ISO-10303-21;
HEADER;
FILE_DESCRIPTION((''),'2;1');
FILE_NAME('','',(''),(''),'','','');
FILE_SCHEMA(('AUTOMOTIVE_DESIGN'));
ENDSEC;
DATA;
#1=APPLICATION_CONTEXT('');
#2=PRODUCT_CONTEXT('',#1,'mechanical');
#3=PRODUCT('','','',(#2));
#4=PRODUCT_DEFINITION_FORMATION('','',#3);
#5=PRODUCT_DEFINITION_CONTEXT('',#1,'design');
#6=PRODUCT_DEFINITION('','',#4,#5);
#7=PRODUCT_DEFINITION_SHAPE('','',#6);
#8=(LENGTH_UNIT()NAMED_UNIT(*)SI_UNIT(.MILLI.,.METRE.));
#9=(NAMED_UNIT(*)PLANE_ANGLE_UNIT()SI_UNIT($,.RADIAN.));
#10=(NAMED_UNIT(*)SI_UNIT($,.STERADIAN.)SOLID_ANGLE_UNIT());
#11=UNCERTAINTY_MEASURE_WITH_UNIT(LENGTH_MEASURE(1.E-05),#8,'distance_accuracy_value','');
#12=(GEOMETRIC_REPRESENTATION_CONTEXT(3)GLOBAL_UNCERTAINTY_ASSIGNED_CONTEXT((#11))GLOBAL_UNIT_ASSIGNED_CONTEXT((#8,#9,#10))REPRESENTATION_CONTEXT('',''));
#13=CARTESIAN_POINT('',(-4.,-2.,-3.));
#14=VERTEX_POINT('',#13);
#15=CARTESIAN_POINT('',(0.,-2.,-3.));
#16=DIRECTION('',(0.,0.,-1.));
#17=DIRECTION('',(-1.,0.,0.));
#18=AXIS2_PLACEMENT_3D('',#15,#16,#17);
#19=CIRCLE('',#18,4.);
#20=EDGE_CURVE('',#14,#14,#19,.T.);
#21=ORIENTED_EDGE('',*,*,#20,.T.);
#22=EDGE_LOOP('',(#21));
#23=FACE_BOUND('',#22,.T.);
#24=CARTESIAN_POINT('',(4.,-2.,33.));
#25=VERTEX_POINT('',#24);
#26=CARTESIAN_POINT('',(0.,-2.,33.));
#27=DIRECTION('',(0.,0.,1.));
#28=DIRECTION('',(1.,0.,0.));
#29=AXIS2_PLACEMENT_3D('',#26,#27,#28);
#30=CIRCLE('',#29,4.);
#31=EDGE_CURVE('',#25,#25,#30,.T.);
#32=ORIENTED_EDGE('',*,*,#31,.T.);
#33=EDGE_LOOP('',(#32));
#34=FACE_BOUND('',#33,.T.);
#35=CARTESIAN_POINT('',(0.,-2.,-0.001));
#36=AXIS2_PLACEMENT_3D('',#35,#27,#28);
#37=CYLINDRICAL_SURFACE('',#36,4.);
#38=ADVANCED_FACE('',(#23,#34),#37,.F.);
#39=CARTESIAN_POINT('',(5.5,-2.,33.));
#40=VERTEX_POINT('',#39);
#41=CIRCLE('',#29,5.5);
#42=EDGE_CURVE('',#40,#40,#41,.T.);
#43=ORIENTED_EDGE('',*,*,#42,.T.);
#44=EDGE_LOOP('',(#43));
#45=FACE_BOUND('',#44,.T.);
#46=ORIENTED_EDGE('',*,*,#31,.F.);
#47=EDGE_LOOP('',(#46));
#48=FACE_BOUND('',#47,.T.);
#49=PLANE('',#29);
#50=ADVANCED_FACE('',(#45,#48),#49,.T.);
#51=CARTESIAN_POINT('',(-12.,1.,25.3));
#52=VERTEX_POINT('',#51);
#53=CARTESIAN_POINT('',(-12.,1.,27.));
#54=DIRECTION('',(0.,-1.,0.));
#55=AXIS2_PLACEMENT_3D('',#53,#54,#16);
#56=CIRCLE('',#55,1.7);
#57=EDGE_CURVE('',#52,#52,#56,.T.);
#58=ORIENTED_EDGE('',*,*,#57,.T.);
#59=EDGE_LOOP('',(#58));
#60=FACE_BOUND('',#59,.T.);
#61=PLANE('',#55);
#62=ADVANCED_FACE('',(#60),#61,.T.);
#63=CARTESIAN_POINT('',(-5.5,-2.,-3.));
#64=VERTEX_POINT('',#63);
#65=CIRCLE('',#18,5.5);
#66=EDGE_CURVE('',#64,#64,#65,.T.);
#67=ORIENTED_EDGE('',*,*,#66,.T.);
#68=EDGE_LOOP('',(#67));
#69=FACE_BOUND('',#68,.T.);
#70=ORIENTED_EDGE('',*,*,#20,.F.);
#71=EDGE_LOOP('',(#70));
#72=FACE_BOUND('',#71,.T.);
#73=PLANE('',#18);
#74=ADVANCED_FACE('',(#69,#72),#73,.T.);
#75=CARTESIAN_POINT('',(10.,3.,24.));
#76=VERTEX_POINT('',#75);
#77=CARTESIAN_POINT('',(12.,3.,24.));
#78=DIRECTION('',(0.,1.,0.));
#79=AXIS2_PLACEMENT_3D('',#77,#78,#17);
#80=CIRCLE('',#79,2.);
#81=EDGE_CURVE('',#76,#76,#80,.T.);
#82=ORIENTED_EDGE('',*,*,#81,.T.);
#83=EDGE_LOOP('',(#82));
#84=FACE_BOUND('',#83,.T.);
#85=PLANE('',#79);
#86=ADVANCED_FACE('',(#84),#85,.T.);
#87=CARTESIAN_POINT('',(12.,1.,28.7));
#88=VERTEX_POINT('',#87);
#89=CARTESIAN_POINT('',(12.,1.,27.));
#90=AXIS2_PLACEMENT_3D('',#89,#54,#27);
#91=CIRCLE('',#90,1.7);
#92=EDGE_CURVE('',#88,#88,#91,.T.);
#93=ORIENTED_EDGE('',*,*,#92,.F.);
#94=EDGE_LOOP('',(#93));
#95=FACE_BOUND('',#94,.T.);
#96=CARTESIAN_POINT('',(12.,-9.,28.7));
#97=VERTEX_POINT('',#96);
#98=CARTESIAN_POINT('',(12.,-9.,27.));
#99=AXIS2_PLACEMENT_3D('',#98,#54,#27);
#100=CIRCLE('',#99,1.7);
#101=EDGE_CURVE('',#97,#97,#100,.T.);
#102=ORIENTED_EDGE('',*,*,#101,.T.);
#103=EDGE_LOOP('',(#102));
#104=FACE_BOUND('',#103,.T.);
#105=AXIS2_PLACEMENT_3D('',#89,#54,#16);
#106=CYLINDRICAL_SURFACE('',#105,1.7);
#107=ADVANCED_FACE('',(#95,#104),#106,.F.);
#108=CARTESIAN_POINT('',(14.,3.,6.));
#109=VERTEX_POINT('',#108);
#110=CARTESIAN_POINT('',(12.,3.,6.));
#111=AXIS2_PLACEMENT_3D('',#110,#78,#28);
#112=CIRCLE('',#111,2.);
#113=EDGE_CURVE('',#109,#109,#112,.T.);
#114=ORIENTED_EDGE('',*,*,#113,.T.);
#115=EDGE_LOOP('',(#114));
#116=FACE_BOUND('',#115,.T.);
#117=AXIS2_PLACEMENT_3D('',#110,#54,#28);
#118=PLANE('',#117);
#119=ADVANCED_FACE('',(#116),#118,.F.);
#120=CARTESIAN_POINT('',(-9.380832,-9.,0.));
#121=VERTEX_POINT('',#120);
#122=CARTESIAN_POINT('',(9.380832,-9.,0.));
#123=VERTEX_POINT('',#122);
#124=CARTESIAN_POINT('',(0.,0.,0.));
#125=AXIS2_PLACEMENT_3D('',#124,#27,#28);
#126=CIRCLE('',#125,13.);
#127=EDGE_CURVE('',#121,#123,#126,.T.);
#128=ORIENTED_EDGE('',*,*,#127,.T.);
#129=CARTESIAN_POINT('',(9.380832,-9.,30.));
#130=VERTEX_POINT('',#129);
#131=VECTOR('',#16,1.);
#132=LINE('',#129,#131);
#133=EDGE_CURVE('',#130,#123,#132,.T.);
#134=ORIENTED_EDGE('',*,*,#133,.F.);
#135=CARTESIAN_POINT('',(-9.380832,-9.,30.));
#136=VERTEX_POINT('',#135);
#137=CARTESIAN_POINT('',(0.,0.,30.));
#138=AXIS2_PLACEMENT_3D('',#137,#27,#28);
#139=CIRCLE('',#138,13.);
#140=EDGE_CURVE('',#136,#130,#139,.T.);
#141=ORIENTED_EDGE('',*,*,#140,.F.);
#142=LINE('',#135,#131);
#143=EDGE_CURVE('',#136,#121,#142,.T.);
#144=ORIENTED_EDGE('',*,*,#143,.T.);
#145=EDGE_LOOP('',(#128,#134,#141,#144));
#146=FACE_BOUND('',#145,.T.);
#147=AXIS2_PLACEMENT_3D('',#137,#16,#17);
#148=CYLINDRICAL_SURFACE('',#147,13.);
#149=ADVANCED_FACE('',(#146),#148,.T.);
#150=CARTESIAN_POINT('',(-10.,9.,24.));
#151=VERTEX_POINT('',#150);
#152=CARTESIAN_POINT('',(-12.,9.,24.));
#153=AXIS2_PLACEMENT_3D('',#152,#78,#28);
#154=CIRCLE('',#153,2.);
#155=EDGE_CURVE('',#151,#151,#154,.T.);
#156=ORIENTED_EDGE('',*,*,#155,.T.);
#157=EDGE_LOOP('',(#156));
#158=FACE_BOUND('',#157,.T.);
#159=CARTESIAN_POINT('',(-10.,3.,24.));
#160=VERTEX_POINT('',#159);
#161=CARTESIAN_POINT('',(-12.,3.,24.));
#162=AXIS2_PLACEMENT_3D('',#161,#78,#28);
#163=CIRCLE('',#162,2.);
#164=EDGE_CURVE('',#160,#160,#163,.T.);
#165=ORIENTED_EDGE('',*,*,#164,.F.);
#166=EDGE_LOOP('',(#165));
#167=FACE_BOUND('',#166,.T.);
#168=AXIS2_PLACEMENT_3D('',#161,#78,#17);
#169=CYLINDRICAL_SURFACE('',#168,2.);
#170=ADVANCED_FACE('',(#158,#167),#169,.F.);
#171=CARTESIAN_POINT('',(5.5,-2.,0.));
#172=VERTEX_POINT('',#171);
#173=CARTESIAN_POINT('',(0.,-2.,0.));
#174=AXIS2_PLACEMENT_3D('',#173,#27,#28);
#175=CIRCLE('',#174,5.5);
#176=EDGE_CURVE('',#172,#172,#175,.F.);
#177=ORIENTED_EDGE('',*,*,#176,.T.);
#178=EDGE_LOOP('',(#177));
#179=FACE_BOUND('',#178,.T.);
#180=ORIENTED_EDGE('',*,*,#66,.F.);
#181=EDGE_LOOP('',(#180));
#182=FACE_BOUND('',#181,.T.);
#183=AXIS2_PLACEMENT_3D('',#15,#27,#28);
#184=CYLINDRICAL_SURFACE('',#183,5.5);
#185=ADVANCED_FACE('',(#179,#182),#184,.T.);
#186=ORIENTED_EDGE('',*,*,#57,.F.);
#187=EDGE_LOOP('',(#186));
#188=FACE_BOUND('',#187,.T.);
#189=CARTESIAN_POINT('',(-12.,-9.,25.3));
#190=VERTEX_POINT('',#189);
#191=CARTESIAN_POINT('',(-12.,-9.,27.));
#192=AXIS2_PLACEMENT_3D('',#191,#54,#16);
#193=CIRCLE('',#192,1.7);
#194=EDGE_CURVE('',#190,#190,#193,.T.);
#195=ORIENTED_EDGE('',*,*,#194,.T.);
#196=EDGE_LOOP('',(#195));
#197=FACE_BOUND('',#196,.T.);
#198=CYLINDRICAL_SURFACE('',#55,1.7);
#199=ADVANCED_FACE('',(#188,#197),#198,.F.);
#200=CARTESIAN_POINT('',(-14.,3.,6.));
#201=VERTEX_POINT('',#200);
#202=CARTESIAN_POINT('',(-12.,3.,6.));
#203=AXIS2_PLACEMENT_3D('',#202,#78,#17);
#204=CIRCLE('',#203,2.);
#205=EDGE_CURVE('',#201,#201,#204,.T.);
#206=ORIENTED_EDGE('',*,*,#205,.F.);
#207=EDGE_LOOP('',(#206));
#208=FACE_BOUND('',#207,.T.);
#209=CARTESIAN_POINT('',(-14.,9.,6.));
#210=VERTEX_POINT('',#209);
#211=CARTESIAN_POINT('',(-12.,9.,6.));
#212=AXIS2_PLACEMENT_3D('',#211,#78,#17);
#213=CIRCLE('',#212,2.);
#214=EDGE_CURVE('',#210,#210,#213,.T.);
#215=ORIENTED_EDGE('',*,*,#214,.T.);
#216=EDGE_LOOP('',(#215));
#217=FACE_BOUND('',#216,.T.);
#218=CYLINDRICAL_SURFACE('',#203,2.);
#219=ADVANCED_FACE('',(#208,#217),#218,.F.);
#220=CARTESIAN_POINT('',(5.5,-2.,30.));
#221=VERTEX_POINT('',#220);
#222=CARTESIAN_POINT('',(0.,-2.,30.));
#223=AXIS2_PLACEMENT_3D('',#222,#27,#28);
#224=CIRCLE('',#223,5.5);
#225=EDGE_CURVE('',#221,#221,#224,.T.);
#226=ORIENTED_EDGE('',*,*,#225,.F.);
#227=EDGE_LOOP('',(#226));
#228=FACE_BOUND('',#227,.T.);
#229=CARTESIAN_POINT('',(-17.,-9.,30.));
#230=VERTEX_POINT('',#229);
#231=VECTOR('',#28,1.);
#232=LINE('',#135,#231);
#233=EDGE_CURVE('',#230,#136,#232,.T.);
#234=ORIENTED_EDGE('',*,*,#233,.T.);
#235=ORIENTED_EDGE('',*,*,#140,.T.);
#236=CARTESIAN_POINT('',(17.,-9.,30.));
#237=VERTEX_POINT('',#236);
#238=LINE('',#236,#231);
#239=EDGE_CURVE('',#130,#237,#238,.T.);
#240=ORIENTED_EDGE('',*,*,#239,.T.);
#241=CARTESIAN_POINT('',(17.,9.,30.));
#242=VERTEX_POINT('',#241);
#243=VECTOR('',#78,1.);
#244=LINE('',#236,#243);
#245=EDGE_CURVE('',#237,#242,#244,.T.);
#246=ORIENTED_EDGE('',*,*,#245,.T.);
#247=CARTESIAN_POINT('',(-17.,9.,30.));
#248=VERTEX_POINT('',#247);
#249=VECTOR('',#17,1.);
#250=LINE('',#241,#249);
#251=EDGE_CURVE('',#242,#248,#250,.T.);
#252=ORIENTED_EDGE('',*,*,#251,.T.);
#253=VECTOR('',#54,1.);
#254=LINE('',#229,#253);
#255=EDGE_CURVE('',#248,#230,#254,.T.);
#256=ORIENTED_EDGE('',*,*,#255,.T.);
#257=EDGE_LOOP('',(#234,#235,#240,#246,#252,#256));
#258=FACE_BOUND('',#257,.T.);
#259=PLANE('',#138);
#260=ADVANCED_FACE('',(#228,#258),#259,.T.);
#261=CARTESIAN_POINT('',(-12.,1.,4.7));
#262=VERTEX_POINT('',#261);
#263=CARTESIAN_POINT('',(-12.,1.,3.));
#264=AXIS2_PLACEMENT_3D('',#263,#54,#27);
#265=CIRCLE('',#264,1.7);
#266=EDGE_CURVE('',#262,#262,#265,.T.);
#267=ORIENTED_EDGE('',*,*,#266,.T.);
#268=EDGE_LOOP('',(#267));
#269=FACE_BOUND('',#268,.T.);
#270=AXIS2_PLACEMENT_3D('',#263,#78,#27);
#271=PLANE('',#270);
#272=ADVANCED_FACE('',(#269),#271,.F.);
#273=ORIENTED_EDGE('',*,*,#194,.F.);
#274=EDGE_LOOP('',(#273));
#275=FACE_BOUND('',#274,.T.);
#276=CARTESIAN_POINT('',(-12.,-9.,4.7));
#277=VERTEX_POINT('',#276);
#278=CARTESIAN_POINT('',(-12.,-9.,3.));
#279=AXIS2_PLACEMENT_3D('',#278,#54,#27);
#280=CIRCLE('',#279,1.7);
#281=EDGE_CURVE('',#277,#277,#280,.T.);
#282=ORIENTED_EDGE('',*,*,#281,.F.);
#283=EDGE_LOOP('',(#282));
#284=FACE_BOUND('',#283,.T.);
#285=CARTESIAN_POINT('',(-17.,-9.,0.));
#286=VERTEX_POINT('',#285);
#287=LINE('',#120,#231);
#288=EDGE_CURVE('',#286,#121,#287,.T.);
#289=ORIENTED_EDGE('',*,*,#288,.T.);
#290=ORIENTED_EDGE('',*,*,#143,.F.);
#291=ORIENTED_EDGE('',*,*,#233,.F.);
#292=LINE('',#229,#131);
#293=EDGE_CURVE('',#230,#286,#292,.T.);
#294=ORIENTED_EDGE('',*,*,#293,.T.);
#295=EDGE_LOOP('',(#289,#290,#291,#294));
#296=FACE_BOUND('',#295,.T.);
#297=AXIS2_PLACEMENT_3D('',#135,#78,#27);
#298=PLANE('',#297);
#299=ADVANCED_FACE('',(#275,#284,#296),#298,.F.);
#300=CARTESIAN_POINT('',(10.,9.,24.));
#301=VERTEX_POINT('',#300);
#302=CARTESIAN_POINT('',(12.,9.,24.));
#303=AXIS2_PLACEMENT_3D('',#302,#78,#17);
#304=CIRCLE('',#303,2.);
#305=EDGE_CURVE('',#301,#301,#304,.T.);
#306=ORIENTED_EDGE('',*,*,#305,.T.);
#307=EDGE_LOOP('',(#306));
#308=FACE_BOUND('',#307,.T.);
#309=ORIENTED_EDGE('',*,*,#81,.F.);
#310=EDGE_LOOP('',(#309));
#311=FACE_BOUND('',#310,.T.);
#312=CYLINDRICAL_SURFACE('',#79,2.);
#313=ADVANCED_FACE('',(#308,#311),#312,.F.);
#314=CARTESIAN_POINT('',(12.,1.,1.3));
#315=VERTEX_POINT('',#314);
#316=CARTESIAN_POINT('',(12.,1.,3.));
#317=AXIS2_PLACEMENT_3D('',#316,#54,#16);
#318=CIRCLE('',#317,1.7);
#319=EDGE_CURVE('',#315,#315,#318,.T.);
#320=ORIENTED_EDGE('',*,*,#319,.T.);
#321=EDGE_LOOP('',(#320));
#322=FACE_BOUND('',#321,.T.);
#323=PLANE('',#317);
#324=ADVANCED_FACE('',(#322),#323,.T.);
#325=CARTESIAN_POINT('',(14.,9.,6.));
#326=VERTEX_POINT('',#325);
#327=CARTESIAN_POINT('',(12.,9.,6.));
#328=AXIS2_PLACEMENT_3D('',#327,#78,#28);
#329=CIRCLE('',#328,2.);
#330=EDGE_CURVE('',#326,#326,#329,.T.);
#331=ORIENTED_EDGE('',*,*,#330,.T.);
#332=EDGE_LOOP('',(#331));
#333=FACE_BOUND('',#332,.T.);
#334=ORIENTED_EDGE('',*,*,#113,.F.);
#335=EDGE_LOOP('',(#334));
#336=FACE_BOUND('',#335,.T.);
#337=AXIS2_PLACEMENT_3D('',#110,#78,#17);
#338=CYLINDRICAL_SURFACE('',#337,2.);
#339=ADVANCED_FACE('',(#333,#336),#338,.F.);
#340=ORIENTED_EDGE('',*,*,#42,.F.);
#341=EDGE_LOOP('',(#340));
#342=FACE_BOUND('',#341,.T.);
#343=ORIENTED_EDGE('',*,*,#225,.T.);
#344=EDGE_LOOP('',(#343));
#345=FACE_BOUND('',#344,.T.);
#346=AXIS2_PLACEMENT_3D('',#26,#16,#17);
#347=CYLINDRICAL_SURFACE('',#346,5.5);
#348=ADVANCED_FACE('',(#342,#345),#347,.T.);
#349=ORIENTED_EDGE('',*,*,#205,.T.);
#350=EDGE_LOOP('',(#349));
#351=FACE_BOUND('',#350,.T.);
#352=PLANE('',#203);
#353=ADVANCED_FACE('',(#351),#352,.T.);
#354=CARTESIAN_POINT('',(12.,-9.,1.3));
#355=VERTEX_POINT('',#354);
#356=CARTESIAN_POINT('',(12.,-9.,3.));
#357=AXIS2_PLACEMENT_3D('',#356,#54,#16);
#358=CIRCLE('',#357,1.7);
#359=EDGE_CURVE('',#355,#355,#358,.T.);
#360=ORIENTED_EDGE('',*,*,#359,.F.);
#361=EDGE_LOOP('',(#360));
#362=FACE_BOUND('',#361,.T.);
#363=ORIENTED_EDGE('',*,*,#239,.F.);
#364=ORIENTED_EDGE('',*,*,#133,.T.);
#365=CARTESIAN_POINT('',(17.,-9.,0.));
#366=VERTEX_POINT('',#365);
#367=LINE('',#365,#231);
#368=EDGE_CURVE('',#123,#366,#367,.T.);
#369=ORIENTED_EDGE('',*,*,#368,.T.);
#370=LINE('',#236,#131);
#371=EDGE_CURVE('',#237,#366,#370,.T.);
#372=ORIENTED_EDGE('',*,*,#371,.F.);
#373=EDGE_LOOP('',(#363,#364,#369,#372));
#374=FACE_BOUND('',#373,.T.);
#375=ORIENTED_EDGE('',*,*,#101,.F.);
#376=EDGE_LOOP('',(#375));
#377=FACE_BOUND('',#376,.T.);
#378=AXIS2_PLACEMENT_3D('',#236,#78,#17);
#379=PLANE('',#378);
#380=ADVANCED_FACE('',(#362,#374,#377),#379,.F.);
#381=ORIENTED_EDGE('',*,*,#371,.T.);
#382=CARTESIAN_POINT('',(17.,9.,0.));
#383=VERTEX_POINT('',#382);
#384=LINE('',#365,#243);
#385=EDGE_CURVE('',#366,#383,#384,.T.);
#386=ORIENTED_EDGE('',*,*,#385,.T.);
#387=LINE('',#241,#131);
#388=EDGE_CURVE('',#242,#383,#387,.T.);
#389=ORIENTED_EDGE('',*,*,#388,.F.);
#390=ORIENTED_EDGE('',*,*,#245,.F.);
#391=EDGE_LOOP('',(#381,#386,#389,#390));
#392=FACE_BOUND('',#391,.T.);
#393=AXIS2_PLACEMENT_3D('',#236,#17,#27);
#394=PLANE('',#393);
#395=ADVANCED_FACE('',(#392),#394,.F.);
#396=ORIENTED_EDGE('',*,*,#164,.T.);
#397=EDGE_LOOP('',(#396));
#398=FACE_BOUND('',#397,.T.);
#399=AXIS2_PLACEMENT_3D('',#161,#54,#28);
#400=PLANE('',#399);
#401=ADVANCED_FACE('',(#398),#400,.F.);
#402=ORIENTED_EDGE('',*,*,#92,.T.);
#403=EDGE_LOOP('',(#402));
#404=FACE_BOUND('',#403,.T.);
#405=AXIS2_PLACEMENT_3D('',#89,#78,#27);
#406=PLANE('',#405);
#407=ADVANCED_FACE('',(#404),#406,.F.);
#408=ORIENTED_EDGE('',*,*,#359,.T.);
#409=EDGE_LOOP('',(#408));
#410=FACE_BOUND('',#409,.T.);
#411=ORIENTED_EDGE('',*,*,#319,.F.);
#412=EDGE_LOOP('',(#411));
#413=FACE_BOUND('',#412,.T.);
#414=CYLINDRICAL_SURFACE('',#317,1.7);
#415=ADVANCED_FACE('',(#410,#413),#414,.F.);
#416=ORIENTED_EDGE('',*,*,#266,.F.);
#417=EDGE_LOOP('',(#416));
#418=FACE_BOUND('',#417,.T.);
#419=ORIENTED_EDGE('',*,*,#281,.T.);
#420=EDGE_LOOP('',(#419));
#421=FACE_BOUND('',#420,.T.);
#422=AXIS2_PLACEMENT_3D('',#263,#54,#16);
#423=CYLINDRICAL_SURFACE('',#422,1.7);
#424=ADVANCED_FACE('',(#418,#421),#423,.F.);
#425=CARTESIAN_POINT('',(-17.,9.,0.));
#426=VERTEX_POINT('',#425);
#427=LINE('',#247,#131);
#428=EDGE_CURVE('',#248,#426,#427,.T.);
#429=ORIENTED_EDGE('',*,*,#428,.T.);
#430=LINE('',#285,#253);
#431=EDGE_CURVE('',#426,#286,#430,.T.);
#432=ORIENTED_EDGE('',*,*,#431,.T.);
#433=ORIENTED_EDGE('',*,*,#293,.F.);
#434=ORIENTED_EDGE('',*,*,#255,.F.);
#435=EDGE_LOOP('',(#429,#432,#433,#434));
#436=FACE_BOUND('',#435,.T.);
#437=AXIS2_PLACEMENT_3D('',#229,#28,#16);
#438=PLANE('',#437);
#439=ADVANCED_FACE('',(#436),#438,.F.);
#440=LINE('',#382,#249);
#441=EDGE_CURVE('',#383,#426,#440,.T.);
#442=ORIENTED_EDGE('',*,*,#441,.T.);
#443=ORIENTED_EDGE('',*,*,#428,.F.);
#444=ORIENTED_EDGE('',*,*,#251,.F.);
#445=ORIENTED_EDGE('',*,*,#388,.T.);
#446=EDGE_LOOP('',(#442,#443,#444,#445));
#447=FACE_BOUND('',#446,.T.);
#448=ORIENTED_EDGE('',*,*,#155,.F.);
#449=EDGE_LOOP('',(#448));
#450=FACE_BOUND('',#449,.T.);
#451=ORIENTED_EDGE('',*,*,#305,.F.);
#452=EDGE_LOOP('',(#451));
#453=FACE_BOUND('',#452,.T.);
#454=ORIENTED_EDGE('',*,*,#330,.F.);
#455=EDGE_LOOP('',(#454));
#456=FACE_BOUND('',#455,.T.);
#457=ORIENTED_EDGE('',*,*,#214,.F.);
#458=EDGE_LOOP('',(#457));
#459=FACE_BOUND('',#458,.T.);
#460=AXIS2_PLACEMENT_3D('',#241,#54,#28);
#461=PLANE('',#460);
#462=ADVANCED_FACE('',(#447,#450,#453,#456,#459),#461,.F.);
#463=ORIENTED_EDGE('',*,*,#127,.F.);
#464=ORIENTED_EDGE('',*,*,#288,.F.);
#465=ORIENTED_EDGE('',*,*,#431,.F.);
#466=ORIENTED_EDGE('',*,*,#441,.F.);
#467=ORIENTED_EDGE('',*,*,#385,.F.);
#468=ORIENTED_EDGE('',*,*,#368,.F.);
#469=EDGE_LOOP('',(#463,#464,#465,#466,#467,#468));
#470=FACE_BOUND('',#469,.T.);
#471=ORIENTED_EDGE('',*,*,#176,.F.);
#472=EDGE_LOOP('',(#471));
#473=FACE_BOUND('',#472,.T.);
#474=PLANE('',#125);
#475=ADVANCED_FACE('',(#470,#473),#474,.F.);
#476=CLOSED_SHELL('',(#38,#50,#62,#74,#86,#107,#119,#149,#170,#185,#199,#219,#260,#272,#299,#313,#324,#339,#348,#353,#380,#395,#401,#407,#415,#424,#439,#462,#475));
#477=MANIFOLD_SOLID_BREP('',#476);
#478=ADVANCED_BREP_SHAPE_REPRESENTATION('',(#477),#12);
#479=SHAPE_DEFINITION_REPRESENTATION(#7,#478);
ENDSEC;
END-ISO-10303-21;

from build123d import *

# Parameters (mm, degrees)
BOSS_EXTRUDE1_DEPTH = 30
CUT_EXTRUDE1_REACH  = 38.851
SKETCH5_R           = 4
BOSS_EXTRUDE2_START = 3
SKETCH6_R           = 5.5
SKETCH6_R_2         = 4
BOSS_EXTRUDE2_DEPTH = 3
SKETCH7_R           = 5.5
SKETCH7_R_2         = 4
BOSS_EXTRUDE3_DEPTH = 3
SKETCH8_R           = 2
CUT_EXTRUDE2_DEPTH  = 6
SKETCH9_R           = 1.7
CUT_EXTRUDE3_DEPTH  = 10


with BuildPart() as part:
    # Sketch1 → Boss-Extrude1 (new body)
    with BuildSketch(Plane.XY):
        with BuildLine():
            Line((-9.38083152, -9), (-17, -9))
            Line((-17, -9), (-17, 9))
            Line((-17, 9), (17, 9))
            Line((17, 9), (17, -9))
            Line((17, -9), (9.38083152, -9))
            ThreePointArc((9.38083152, -9), (0, -13), (-9.38083152, -9))
        make_face()
    extrude(amount=BOSS_EXTRUDE1_DEPTH)

    # Sketch5 → Cut-Extrude1 (cut, up to next)
    with BuildSketch(Plane.XY.offset(30), mode=Mode.PRIVATE) as cut_extrude1_sk1:
        with Locations((0, -2)):
            Circle(SKETCH5_R)
    cut_extrude1_tool1 = extrude(cut_extrude1_sk1.sketch, amount=-CUT_EXTRUDE1_REACH, mode=Mode.PRIVATE) & part.part
    add(cut_extrude1_tool1.solids().sort_by_distance((0, -2, 30))[0], mode=Mode.SUBTRACT)

    # Sketch6 → Boss-Extrude2 (add)
    with BuildSketch(Plane.XY.offset(30).offset(BOSS_EXTRUDE2_START)):
        with Locations((0, -2)):
            Circle(SKETCH6_R)
        with Locations((0, -2)):
            Circle(SKETCH6_R_2, mode=Mode.SUBTRACT)
    extrude(amount=-BOSS_EXTRUDE2_DEPTH)

    # Sketch7 → Boss-Extrude3 (add)
    with BuildSketch(Plane(origin=(0, 0, 0), x_dir=(-1, 0, 0), z_dir=(0, 0, -1))):
        with Locations(Location((0, -2, 0), (0, 0, 180))):
            Circle(SKETCH7_R)
        with Locations(Location((0, -2, 0), (0, 0, 180))):
            Circle(SKETCH7_R_2, mode=Mode.SUBTRACT)
    extrude(amount=BOSS_EXTRUDE3_DEPTH)

    # Sketch8 → Cut-Extrude2 (cut)
    with BuildSketch(Plane(origin=(0, 9, 0), x_dir=(1, 0, 0), z_dir=(0, 1, 0))):
        with Locations(Location((-12, -6, 0), (0, 0, 180))):
            Circle(SKETCH8_R)
        with Locations((-12, -24)):
            Circle(SKETCH8_R)
        with Locations(Location((12, -24, 0), (0, 0, 180))):
            Circle(SKETCH8_R)
        with Locations((12, -6)):
            Circle(SKETCH8_R)
    extrude(amount=-CUT_EXTRUDE2_DEPTH, mode=Mode.SUBTRACT)

    # Sketch9 → Cut-Extrude3 (cut)
    with BuildSketch(Plane.XZ.offset(9)):
        with Locations(Location((-12, 27, 0), (0, 0, 270))):
            Circle(SKETCH9_R)
        with Locations(Location((-12, 3, 0), (0, 0, 90))):
            Circle(SKETCH9_R)
        with Locations(Location((12, 3, 0), (0, 0, 270))):
            Circle(SKETCH9_R)
        with Locations(Location((12, 27, 0), (0, 0, 90))):
            Circle(SKETCH9_R)
    extrude(amount=-CUT_EXTRUDE3_DEPTH, mode=Mode.SUBTRACT)


solid = part.part
